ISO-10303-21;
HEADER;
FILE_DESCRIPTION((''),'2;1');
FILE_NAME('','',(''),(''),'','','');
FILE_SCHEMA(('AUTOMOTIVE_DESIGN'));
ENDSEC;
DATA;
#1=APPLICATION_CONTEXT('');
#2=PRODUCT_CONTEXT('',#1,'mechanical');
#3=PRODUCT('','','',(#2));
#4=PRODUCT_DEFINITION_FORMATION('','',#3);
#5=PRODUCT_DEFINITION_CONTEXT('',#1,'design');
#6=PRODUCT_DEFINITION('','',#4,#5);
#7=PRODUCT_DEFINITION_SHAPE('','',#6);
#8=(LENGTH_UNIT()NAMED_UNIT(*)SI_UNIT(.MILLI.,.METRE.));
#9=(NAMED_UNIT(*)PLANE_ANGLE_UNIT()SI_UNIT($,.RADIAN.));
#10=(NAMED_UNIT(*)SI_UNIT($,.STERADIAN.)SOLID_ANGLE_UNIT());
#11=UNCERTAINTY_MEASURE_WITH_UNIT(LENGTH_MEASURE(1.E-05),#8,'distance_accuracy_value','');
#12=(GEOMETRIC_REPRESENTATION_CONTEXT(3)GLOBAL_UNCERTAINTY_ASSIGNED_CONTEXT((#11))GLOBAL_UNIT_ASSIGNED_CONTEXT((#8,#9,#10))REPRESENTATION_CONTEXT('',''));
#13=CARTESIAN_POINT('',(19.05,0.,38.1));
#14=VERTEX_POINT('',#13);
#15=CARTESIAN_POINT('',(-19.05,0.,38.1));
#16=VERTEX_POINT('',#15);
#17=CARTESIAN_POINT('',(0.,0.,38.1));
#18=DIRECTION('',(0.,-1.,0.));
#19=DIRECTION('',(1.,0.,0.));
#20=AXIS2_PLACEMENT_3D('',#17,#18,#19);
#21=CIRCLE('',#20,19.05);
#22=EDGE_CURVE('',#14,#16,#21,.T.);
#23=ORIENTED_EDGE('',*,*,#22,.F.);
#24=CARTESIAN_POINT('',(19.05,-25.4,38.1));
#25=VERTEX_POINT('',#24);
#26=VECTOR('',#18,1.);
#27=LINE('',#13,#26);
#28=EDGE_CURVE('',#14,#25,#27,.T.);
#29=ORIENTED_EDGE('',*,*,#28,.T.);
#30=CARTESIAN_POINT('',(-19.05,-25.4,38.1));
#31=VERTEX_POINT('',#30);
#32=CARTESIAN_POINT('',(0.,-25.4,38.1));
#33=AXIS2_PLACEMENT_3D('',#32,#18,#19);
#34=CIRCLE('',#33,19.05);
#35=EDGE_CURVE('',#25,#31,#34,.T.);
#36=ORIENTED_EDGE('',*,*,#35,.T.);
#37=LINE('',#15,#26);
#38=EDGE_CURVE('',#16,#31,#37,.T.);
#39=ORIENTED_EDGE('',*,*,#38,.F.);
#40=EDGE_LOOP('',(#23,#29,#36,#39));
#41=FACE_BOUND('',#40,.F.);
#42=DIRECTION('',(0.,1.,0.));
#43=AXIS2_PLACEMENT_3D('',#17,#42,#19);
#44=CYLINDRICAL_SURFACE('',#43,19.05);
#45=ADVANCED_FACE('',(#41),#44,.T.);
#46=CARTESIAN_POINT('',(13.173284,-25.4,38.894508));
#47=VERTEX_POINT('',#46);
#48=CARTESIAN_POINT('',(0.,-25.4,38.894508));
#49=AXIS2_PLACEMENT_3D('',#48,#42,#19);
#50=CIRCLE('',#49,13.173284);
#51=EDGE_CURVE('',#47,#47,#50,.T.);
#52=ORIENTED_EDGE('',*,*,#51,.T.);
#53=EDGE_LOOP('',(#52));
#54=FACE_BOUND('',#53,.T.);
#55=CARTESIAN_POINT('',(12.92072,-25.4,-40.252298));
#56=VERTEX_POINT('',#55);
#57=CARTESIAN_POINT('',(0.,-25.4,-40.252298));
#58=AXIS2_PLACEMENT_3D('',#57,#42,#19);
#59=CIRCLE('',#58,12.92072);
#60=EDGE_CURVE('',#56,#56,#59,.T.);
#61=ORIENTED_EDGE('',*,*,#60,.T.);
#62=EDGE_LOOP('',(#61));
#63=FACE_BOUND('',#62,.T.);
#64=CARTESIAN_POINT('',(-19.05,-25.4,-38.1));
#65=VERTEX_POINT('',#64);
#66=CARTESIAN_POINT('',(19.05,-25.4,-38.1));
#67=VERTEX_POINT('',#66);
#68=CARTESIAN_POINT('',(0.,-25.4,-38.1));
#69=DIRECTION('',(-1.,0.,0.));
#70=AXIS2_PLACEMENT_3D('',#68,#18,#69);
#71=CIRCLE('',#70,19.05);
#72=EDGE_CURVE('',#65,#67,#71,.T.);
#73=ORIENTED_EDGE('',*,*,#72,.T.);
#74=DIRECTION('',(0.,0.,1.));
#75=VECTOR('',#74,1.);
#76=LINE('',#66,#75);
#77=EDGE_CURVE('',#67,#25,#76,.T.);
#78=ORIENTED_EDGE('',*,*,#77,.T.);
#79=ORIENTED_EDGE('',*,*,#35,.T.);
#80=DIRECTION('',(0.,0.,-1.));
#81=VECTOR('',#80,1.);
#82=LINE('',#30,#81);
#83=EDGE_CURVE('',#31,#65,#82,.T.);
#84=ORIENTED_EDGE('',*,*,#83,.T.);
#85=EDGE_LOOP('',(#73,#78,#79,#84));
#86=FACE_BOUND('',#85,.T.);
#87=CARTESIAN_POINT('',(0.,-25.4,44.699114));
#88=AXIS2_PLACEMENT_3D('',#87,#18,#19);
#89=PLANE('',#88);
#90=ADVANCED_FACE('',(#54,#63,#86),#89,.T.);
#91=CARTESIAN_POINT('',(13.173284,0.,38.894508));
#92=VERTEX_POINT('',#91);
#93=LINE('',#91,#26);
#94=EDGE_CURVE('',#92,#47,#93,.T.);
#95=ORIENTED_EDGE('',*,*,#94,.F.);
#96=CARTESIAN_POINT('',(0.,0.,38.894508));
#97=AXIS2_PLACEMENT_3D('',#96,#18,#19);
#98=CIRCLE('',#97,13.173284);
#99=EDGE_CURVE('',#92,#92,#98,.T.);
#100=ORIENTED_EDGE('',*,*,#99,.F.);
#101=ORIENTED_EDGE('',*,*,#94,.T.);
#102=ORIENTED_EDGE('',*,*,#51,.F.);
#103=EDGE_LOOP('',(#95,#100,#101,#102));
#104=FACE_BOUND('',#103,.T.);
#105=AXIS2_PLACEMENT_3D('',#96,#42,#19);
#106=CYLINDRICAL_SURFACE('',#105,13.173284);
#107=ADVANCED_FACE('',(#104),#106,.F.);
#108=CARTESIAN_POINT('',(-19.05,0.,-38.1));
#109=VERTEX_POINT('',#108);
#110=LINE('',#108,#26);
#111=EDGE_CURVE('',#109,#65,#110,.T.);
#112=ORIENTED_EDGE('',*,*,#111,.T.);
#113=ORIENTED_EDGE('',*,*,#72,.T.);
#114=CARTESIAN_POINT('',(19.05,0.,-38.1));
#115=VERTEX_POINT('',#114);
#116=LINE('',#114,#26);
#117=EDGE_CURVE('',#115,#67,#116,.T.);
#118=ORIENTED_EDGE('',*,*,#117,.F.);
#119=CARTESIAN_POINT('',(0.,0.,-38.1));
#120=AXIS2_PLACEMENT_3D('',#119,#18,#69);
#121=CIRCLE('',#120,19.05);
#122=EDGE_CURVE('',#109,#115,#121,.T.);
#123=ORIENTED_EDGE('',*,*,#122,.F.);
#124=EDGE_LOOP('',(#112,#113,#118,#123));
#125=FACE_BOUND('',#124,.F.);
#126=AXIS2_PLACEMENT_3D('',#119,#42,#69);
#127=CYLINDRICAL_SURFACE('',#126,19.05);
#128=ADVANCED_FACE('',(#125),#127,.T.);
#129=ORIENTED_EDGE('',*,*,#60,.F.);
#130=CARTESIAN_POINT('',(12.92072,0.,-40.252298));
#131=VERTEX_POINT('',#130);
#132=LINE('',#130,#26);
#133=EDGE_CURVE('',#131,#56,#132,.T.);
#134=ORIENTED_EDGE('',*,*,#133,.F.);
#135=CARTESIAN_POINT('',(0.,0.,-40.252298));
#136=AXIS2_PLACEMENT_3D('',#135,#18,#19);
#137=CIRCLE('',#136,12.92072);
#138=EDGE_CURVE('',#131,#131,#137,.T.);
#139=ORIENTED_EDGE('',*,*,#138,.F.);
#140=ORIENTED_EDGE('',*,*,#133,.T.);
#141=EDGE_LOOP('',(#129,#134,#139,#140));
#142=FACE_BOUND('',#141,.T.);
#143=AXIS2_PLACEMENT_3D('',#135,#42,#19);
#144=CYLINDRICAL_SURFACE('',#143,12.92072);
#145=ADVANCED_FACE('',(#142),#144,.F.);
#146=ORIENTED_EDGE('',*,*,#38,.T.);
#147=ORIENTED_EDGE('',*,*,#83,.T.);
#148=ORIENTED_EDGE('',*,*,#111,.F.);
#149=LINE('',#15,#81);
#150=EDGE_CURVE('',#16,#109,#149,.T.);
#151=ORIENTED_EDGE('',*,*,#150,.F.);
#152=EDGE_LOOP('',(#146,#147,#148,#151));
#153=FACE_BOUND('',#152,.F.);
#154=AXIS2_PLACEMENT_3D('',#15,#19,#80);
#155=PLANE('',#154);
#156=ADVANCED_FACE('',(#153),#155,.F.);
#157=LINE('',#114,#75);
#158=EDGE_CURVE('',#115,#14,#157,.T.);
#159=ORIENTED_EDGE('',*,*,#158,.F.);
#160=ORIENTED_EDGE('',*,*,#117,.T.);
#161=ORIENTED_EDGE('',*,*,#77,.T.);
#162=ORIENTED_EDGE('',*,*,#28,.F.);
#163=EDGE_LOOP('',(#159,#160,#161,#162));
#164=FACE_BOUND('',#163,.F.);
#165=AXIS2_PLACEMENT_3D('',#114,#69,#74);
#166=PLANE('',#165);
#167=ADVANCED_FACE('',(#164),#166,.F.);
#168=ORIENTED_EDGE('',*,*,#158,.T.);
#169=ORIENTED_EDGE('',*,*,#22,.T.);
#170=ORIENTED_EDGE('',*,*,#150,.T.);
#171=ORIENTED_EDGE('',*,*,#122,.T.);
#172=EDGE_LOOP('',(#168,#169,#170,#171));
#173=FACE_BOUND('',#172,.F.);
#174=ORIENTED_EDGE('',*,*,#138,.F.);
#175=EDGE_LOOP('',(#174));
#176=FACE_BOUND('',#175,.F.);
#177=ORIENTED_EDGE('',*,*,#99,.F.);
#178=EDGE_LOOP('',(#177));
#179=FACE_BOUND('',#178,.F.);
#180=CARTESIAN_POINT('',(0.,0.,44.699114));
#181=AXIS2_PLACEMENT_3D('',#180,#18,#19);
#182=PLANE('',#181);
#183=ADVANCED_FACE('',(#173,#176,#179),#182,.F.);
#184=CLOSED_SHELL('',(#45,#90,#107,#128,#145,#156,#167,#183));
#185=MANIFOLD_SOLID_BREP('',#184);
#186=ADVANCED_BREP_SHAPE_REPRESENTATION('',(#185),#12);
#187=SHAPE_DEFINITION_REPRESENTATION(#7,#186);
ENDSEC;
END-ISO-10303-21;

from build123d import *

# Parameters (mm, degrees)
F1_DEPTH = 25.4
F2_R     = 13.1732836579
F2_R_2   = 12.9207196234
F3_DEPTH = 100.584


with BuildPart() as f1:
    # F0 (on Front) → F1 (new body)
    with BuildSketch(Plane.XZ):
        with BuildLine():
            ThreePointArc((19.05, 38.1), (0, 57.15), (-19.05, 38.1))
            Line((-19.05, 38.1), (19.05, 38.1))
        make_face()
        with BuildLine():
            ThreePointArc((19.05, 38.1), (0, 19.05), (-19.05, 38.1))
            Line((-19.05, 38.1), (-19.05, -38.1))
            ThreePointArc((-19.05, -38.1), (0, -19.05), (19.05, -38.1))
            Line((19.05, -38.1), (19.05, 38.1))
        make_face()
        with BuildLine():
            Line((19.05, 38.1), (-19.05, 38.1))
            ThreePointArc((-19.05, 38.1), (0, 19.05), (19.05, 38.1))
        make_face()
        with BuildLine():
            ThreePointArc((19.05, -38.1), (0, -19.05), (-19.05, -38.1))
            Line((-19.05, -38.1), (19.05, -38.1))
        make_face()
        with BuildLine():
            Line((19.05, -38.1), (-19.05, -38.1))
            ThreePointArc((-19.05, -38.1), (0, -57.15), (19.05, -38.1))
        make_face()
    extrude(amount=F1_DEPTH)

    # F2 (on Front) → F3 (cut)
    with BuildSketch(Plane.XZ):
        with Locations((0, 38.894508034)):
            Circle(F2_R)
        with Locations((0, -40.2522981167)):
            Circle(F2_R_2)
    extrude(amount=F3_DEPTH, mode=Mode.SUBTRACT)


solid = f1.part
